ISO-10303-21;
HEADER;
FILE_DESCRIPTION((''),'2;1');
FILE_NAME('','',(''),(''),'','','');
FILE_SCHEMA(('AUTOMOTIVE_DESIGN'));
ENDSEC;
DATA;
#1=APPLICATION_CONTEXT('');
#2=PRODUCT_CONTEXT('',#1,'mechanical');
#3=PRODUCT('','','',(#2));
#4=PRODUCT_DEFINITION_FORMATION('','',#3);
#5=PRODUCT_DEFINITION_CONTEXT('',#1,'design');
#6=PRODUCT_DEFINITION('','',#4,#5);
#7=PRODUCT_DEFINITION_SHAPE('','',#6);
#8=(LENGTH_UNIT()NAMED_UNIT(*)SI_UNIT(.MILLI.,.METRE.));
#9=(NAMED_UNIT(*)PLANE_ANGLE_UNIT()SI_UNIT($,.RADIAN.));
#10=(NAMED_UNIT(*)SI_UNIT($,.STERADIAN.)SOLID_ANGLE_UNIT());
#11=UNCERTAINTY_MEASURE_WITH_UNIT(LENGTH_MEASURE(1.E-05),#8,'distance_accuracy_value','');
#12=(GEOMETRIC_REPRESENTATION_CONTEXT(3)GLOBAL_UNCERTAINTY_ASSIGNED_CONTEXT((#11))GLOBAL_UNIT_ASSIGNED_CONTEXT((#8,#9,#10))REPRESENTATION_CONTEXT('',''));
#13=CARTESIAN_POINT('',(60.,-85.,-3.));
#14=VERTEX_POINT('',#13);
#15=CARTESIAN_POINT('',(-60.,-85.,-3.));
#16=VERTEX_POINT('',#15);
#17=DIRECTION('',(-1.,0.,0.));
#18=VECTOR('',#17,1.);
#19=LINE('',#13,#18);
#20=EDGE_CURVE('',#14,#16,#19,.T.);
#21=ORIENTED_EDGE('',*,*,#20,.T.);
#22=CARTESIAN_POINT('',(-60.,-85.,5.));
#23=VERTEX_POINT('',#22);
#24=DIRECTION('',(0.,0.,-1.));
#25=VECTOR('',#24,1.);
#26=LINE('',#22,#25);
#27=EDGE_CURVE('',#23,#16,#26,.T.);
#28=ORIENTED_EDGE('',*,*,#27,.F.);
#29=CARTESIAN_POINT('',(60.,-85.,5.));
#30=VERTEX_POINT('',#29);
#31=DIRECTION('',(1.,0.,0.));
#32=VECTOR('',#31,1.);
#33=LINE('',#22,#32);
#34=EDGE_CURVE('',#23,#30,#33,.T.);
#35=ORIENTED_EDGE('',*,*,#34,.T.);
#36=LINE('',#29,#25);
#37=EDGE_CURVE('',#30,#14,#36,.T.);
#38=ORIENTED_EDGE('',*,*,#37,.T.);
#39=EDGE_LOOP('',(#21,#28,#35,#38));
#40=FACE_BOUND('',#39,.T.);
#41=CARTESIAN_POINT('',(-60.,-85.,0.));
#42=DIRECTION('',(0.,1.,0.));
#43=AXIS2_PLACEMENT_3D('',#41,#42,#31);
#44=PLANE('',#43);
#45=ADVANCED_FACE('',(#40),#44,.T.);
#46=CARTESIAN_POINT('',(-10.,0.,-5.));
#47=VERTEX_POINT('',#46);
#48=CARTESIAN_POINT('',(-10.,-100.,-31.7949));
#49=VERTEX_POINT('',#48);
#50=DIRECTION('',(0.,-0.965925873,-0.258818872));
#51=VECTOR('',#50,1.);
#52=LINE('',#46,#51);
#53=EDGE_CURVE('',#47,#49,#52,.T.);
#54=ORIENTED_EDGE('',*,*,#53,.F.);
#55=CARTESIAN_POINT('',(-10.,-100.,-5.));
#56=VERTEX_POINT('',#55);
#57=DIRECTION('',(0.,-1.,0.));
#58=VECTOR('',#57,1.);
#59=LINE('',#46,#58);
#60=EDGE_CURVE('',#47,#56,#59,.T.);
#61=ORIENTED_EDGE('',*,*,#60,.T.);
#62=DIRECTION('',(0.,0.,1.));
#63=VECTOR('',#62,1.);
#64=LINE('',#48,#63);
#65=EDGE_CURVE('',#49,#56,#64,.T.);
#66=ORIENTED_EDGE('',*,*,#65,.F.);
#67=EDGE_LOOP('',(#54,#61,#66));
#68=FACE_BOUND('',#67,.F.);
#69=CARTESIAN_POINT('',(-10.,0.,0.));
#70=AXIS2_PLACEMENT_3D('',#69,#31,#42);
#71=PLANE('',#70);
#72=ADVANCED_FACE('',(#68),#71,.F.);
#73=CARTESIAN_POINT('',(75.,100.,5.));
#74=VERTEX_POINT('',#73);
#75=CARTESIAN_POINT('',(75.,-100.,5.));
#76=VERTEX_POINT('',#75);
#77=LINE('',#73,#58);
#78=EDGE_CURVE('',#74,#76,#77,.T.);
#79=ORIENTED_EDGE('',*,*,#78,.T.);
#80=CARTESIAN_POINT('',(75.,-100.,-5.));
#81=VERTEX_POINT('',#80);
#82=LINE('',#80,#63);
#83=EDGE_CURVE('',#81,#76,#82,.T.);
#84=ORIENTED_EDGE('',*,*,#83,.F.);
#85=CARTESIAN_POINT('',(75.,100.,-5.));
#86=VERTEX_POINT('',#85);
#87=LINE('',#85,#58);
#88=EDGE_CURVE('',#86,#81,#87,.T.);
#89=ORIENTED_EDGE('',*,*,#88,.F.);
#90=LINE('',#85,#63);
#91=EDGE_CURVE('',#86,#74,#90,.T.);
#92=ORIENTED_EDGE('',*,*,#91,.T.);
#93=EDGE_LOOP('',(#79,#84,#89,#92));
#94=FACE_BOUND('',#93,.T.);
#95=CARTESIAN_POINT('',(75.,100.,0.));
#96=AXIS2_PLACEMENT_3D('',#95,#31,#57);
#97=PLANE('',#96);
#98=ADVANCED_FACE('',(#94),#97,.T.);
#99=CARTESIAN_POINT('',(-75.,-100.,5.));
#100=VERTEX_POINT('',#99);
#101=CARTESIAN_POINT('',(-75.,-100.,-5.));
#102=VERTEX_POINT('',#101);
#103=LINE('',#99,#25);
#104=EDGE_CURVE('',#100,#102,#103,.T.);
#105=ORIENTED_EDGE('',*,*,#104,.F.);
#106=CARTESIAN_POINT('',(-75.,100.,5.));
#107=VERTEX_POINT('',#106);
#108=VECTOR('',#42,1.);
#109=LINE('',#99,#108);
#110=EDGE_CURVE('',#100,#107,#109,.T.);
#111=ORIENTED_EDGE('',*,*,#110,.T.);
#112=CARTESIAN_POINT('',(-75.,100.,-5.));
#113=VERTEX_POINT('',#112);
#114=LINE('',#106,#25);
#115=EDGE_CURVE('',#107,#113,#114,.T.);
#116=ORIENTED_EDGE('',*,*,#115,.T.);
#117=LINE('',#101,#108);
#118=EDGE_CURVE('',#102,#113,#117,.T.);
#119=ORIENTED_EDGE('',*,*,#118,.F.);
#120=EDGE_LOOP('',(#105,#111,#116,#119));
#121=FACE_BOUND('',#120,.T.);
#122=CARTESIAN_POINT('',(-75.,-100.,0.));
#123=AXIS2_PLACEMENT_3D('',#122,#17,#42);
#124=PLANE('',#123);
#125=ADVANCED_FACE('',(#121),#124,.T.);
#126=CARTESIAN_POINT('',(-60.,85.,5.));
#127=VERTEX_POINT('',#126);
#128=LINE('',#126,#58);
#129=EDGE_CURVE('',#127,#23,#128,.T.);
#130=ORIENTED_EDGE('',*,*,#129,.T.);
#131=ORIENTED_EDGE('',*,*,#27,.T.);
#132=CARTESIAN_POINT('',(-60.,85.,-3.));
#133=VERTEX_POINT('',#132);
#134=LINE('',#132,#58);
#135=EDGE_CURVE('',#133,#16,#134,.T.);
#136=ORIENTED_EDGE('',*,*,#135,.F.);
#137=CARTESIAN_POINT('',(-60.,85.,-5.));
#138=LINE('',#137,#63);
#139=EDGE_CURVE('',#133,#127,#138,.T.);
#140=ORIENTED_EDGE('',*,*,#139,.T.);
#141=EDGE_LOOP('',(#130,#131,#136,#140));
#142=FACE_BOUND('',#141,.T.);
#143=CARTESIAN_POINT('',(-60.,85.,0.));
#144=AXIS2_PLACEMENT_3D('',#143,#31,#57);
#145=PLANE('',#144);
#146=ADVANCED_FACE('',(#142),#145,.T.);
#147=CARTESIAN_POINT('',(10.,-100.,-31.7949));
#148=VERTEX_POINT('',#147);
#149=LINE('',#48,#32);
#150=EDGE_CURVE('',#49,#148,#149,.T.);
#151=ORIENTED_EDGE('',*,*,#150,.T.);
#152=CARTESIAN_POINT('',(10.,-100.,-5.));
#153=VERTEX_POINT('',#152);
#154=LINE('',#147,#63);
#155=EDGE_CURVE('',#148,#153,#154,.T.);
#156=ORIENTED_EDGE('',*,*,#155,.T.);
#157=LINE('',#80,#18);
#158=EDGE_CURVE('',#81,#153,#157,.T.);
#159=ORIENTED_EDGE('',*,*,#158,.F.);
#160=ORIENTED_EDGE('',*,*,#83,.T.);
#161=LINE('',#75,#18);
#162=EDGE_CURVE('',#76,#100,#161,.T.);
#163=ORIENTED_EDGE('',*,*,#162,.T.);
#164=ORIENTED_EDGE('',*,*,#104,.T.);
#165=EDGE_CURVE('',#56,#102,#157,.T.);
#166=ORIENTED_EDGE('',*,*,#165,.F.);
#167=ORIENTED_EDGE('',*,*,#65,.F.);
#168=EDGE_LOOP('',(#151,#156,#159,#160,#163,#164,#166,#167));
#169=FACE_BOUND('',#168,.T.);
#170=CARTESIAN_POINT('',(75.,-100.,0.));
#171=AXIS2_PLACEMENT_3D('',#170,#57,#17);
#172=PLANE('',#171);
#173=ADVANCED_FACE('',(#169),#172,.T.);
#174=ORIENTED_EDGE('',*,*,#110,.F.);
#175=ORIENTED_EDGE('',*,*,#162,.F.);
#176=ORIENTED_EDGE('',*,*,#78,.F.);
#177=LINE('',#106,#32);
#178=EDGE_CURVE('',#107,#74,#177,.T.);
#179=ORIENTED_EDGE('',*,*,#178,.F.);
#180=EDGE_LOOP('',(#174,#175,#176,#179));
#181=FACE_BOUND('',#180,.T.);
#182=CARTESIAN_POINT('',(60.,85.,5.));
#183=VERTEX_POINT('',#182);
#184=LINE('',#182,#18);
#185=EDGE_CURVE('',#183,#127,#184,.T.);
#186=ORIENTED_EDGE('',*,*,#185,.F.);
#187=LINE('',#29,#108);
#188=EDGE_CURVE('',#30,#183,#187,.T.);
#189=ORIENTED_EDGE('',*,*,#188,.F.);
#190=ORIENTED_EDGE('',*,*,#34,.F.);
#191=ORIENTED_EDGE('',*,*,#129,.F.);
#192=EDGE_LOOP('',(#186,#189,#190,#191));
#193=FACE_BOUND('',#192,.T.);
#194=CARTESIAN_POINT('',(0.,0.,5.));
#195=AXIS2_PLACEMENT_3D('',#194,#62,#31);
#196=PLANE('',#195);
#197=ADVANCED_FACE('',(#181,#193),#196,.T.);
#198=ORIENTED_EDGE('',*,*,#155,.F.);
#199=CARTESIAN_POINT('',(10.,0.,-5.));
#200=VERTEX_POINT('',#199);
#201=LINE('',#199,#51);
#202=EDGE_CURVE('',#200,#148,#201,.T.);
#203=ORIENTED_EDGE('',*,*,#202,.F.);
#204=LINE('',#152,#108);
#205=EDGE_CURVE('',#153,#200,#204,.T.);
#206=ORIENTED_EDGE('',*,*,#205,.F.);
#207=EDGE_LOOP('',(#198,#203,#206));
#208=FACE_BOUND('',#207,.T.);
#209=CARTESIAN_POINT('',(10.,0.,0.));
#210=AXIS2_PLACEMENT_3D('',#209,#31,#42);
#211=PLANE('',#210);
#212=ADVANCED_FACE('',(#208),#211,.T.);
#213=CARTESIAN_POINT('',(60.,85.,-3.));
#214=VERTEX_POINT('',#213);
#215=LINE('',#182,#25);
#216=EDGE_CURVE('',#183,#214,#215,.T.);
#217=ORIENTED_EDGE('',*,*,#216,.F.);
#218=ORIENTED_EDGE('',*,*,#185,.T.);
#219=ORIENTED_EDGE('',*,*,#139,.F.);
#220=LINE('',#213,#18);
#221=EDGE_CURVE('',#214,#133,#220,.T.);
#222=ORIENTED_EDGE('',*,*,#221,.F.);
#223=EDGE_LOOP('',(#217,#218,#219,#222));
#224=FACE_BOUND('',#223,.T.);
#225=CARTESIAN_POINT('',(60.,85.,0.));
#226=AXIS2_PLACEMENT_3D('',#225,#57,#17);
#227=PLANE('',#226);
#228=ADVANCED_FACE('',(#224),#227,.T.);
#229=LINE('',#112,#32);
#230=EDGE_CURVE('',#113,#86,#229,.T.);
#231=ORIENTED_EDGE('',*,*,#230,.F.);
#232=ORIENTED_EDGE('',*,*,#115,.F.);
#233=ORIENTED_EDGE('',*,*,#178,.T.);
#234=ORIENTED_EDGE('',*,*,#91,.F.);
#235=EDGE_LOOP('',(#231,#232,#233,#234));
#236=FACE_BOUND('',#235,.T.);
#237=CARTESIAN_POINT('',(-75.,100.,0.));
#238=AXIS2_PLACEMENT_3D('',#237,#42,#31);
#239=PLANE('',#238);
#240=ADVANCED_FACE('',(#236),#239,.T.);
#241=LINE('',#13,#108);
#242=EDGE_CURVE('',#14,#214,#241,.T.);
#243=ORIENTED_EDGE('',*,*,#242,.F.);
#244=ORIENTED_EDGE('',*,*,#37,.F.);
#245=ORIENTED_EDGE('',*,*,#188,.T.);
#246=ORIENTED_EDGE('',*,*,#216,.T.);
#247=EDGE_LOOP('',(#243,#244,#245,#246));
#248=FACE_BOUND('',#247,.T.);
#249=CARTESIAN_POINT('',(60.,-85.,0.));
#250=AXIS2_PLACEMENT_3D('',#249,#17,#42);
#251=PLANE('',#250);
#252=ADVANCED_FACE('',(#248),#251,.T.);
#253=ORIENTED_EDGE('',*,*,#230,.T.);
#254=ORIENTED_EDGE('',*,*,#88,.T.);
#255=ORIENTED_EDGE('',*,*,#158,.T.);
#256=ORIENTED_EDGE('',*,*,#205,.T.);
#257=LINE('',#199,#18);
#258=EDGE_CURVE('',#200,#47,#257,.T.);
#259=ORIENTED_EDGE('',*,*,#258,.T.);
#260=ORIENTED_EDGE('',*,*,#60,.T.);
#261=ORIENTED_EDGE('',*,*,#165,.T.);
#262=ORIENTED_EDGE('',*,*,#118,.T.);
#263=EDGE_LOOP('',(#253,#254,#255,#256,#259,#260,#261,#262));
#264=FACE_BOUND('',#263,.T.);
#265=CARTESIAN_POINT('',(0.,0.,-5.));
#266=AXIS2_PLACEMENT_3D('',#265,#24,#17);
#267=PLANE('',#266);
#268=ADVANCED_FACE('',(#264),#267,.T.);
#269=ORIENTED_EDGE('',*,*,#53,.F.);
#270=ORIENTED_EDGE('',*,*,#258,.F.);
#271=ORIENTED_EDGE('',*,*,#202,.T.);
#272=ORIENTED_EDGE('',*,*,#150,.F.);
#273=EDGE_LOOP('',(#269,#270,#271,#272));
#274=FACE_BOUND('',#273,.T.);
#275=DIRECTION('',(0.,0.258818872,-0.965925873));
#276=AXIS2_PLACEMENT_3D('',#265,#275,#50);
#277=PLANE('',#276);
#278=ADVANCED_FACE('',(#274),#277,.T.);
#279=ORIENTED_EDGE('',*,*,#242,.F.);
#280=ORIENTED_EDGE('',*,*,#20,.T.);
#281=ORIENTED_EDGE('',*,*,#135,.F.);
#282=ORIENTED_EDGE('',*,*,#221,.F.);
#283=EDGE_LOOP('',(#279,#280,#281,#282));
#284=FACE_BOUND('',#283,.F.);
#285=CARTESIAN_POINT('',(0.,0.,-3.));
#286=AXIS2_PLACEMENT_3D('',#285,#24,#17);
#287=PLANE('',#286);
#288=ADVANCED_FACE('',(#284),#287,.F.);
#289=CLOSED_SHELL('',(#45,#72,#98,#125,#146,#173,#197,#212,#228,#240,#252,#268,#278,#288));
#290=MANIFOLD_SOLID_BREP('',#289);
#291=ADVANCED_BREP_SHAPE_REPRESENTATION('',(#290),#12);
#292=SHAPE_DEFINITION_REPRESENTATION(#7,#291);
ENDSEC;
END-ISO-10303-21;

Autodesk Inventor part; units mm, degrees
ref_plane "YZ Plane" through (0, 0, 0) normal (1, 0, 0) x (0, 1, 0)
ref_plane "XZ Plane" through (0, 0, 0) normal (0, 1, 0) x (-1, 0, 0)
ref_plane "XY Plane" through (0, 0, 0) normal (0, 0, 1) x (1, 0, 0)
sketch "Эскиз3" plane through (0, 0, 0) normal (0, 0, 1) x (1, 0, 0)
  line L0 (75, -100) -> (-75, -100)
  line L1 (-75, -100) -> (-75, 100)
  line L2 (-75, 100) -> (75, 100)
  line L3 (75, 100) -> (75, -100)
  line L4 (75, -100) -> (-75, 100) construction
  line L5 (-75, -100) -> (75, 100) construction
  line L6 (-60, 85) -> (-60, -85)
  line L7 (-60, -85) -> (60, -85)
  line L8 (60, -85) -> (60, 85)
  line L9 (60, 85) -> (-60, 85)
  point P0 (0, 0)
  dimension "d11" = 150
  dimension "d12" = 200
  dimension "d13" = 15
extrude "Толщина рамки" add sketch "Эскиз3" along normal mid plane 10
sketch "Эскиз5" plane through (0, 0, 0) normal (1, 0, 0) x (0, 1, 0)
  line L0 (-100, -5) -> (100, -5) projected
  line L1 (0, -5) -> (-100, -31.7949)
  line L2 (-100, -31.7949) -> (-100, -5)
  line L3 (85, -5) -> (-85, -5) projected
  point P0 (0, 0)
  dimension "d16" = 15
  dimension "d24" = 100
extrude "Толищна подставки" add sketch "Эскиз5" along normal mid plane 20
sketch "Эскиз11" plane through (0, 0, -5) normal (0, 0, -1) x (-1, 0, 0)
  line L0 (-60, 85) -> (60, 85) projected
  line L1 (60, 85) -> (60, -85) projected
  line L2 (60, -85) -> (10, -85) projected
  line L3 (-10, -85) -> (-60, -85) projected
  line L4 (-60, -85) -> (-60, 85) projected
  line L5 (10, -85) -> (-10, -85) projected
  point P0 (0, 0)
extrude "Толщина зад. стенки" add sketch "Эскиз11" against normal blind 2
properties part number "project1"
